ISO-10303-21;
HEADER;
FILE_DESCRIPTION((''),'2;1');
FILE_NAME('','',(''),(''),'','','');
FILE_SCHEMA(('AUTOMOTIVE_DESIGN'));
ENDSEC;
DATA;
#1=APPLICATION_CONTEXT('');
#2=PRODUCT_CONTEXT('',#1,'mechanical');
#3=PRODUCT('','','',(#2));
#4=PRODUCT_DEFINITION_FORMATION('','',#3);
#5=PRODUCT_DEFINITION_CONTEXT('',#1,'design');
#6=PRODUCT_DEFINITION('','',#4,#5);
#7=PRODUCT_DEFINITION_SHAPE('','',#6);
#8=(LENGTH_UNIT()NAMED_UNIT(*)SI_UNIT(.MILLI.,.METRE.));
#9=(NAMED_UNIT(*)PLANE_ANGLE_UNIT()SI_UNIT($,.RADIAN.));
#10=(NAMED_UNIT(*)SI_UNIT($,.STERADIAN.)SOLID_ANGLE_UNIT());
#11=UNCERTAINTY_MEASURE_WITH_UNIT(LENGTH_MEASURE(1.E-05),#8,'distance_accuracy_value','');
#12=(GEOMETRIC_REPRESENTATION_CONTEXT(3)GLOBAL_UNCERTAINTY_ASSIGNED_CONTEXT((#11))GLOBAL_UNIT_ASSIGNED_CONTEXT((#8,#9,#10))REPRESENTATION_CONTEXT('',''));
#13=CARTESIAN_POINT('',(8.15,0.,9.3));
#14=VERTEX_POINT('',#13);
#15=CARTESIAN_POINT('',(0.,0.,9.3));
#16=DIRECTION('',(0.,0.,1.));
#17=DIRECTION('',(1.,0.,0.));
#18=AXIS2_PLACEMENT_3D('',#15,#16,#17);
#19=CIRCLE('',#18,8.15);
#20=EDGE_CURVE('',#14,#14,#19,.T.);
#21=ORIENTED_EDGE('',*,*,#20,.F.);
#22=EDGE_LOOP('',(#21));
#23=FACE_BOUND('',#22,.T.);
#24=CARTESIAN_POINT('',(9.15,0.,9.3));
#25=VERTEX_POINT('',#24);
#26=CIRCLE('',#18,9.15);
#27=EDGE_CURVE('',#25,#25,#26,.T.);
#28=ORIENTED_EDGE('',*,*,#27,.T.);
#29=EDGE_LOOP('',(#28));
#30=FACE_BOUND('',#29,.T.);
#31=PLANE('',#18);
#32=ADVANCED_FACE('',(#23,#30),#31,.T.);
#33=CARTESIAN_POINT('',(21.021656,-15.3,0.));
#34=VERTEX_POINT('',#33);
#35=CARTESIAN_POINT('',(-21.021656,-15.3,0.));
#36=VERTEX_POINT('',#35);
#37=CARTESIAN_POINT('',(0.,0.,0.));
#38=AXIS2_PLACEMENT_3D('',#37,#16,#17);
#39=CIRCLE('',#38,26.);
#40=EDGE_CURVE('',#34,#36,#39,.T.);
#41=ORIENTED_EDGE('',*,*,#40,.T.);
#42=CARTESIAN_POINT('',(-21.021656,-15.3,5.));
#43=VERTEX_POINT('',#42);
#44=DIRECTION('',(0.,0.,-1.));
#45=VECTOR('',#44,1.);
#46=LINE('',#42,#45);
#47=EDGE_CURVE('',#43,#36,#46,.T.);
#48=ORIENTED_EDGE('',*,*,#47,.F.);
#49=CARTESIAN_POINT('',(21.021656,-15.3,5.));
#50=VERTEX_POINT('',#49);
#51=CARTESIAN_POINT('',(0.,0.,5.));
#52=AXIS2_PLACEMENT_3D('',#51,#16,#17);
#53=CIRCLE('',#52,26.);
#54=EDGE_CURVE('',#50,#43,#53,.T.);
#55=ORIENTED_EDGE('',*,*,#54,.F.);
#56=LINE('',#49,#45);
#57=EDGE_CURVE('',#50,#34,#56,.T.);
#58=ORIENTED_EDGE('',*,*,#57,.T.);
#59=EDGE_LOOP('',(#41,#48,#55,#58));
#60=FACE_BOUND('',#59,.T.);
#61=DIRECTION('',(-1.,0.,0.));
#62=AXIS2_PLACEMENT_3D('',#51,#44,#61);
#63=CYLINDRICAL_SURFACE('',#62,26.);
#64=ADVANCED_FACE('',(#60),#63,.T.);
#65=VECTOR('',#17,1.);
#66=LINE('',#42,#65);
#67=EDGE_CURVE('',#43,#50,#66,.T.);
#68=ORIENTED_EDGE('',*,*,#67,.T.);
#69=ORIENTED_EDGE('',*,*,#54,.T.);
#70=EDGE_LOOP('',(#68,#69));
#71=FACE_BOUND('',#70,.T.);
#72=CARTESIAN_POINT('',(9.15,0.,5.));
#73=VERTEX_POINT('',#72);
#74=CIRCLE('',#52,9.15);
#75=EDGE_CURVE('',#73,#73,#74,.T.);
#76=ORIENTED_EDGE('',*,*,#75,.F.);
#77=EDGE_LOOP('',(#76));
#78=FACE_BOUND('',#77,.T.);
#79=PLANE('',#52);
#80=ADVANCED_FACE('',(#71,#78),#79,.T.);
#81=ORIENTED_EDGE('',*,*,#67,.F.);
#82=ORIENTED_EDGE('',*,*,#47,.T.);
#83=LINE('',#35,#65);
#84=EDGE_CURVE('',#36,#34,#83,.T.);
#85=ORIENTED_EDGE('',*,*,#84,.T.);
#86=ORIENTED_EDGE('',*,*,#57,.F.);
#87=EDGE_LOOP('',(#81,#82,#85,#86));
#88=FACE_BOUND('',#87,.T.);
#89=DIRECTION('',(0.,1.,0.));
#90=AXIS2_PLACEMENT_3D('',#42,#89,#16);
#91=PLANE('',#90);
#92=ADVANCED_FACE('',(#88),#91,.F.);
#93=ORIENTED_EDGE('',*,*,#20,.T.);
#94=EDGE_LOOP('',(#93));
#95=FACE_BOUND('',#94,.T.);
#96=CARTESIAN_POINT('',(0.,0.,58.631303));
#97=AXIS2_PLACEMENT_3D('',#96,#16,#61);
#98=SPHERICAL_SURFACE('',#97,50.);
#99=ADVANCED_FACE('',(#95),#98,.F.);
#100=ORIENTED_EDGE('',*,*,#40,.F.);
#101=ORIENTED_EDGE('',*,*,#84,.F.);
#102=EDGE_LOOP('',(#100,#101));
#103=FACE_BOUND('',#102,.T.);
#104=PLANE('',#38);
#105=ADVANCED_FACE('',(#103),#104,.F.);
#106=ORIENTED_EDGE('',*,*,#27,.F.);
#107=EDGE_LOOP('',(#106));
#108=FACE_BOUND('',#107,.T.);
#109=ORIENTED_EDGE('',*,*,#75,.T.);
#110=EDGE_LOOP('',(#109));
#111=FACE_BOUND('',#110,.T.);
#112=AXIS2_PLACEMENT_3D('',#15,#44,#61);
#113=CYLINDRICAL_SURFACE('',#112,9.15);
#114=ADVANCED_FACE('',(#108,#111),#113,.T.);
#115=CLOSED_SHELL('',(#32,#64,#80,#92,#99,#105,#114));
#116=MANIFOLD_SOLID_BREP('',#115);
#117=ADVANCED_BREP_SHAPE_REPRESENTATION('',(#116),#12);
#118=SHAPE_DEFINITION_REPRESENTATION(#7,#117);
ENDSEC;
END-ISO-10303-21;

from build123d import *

# Parameters (mm, degrees)
BOSS_EXTRUDE1_DEPTH = 5
SKETCH2_R           = 9.15
BOSS_EXTRUDE2_DEPTH = 4.3


with BuildPart() as part:
    # Sketch1 → Boss-Extrude1 (new body)
    with BuildSketch(Plane.XY):
        with BuildLine():
            Line((-21.021655501, -15.3), (21.021655501, -15.3))
            ThreePointArc((21.021655501, -15.3), (0, 26), (-21.021655501, -15.3))
        make_face()
    extrude(amount=BOSS_EXTRUDE1_DEPTH)

    # Sketch2 → Boss-Extrude2 (add)
    with BuildSketch(Plane.XY.offset(5)):
        Circle(SKETCH2_R)
    extrude(amount=BOSS_EXTRUDE2_DEPTH)

    # Sketch3 → Cut-Revolve1 (revolve, cut)
    with BuildSketch(Plane.XZ):
        with BuildLine():
            Line((0, 9.3), (0, 8.631303449))
            ThreePointArc((0, 8.631303449), (4.088693406, 8.798757997), (8.15, 9.3))
            Line((8.15, 9.3), (0, 9.3))
        make_face()
    revolve(axis=Axis((0, 0, 9.3), (0, 0, -1)), mode=Mode.SUBTRACT)


solid = part.part
